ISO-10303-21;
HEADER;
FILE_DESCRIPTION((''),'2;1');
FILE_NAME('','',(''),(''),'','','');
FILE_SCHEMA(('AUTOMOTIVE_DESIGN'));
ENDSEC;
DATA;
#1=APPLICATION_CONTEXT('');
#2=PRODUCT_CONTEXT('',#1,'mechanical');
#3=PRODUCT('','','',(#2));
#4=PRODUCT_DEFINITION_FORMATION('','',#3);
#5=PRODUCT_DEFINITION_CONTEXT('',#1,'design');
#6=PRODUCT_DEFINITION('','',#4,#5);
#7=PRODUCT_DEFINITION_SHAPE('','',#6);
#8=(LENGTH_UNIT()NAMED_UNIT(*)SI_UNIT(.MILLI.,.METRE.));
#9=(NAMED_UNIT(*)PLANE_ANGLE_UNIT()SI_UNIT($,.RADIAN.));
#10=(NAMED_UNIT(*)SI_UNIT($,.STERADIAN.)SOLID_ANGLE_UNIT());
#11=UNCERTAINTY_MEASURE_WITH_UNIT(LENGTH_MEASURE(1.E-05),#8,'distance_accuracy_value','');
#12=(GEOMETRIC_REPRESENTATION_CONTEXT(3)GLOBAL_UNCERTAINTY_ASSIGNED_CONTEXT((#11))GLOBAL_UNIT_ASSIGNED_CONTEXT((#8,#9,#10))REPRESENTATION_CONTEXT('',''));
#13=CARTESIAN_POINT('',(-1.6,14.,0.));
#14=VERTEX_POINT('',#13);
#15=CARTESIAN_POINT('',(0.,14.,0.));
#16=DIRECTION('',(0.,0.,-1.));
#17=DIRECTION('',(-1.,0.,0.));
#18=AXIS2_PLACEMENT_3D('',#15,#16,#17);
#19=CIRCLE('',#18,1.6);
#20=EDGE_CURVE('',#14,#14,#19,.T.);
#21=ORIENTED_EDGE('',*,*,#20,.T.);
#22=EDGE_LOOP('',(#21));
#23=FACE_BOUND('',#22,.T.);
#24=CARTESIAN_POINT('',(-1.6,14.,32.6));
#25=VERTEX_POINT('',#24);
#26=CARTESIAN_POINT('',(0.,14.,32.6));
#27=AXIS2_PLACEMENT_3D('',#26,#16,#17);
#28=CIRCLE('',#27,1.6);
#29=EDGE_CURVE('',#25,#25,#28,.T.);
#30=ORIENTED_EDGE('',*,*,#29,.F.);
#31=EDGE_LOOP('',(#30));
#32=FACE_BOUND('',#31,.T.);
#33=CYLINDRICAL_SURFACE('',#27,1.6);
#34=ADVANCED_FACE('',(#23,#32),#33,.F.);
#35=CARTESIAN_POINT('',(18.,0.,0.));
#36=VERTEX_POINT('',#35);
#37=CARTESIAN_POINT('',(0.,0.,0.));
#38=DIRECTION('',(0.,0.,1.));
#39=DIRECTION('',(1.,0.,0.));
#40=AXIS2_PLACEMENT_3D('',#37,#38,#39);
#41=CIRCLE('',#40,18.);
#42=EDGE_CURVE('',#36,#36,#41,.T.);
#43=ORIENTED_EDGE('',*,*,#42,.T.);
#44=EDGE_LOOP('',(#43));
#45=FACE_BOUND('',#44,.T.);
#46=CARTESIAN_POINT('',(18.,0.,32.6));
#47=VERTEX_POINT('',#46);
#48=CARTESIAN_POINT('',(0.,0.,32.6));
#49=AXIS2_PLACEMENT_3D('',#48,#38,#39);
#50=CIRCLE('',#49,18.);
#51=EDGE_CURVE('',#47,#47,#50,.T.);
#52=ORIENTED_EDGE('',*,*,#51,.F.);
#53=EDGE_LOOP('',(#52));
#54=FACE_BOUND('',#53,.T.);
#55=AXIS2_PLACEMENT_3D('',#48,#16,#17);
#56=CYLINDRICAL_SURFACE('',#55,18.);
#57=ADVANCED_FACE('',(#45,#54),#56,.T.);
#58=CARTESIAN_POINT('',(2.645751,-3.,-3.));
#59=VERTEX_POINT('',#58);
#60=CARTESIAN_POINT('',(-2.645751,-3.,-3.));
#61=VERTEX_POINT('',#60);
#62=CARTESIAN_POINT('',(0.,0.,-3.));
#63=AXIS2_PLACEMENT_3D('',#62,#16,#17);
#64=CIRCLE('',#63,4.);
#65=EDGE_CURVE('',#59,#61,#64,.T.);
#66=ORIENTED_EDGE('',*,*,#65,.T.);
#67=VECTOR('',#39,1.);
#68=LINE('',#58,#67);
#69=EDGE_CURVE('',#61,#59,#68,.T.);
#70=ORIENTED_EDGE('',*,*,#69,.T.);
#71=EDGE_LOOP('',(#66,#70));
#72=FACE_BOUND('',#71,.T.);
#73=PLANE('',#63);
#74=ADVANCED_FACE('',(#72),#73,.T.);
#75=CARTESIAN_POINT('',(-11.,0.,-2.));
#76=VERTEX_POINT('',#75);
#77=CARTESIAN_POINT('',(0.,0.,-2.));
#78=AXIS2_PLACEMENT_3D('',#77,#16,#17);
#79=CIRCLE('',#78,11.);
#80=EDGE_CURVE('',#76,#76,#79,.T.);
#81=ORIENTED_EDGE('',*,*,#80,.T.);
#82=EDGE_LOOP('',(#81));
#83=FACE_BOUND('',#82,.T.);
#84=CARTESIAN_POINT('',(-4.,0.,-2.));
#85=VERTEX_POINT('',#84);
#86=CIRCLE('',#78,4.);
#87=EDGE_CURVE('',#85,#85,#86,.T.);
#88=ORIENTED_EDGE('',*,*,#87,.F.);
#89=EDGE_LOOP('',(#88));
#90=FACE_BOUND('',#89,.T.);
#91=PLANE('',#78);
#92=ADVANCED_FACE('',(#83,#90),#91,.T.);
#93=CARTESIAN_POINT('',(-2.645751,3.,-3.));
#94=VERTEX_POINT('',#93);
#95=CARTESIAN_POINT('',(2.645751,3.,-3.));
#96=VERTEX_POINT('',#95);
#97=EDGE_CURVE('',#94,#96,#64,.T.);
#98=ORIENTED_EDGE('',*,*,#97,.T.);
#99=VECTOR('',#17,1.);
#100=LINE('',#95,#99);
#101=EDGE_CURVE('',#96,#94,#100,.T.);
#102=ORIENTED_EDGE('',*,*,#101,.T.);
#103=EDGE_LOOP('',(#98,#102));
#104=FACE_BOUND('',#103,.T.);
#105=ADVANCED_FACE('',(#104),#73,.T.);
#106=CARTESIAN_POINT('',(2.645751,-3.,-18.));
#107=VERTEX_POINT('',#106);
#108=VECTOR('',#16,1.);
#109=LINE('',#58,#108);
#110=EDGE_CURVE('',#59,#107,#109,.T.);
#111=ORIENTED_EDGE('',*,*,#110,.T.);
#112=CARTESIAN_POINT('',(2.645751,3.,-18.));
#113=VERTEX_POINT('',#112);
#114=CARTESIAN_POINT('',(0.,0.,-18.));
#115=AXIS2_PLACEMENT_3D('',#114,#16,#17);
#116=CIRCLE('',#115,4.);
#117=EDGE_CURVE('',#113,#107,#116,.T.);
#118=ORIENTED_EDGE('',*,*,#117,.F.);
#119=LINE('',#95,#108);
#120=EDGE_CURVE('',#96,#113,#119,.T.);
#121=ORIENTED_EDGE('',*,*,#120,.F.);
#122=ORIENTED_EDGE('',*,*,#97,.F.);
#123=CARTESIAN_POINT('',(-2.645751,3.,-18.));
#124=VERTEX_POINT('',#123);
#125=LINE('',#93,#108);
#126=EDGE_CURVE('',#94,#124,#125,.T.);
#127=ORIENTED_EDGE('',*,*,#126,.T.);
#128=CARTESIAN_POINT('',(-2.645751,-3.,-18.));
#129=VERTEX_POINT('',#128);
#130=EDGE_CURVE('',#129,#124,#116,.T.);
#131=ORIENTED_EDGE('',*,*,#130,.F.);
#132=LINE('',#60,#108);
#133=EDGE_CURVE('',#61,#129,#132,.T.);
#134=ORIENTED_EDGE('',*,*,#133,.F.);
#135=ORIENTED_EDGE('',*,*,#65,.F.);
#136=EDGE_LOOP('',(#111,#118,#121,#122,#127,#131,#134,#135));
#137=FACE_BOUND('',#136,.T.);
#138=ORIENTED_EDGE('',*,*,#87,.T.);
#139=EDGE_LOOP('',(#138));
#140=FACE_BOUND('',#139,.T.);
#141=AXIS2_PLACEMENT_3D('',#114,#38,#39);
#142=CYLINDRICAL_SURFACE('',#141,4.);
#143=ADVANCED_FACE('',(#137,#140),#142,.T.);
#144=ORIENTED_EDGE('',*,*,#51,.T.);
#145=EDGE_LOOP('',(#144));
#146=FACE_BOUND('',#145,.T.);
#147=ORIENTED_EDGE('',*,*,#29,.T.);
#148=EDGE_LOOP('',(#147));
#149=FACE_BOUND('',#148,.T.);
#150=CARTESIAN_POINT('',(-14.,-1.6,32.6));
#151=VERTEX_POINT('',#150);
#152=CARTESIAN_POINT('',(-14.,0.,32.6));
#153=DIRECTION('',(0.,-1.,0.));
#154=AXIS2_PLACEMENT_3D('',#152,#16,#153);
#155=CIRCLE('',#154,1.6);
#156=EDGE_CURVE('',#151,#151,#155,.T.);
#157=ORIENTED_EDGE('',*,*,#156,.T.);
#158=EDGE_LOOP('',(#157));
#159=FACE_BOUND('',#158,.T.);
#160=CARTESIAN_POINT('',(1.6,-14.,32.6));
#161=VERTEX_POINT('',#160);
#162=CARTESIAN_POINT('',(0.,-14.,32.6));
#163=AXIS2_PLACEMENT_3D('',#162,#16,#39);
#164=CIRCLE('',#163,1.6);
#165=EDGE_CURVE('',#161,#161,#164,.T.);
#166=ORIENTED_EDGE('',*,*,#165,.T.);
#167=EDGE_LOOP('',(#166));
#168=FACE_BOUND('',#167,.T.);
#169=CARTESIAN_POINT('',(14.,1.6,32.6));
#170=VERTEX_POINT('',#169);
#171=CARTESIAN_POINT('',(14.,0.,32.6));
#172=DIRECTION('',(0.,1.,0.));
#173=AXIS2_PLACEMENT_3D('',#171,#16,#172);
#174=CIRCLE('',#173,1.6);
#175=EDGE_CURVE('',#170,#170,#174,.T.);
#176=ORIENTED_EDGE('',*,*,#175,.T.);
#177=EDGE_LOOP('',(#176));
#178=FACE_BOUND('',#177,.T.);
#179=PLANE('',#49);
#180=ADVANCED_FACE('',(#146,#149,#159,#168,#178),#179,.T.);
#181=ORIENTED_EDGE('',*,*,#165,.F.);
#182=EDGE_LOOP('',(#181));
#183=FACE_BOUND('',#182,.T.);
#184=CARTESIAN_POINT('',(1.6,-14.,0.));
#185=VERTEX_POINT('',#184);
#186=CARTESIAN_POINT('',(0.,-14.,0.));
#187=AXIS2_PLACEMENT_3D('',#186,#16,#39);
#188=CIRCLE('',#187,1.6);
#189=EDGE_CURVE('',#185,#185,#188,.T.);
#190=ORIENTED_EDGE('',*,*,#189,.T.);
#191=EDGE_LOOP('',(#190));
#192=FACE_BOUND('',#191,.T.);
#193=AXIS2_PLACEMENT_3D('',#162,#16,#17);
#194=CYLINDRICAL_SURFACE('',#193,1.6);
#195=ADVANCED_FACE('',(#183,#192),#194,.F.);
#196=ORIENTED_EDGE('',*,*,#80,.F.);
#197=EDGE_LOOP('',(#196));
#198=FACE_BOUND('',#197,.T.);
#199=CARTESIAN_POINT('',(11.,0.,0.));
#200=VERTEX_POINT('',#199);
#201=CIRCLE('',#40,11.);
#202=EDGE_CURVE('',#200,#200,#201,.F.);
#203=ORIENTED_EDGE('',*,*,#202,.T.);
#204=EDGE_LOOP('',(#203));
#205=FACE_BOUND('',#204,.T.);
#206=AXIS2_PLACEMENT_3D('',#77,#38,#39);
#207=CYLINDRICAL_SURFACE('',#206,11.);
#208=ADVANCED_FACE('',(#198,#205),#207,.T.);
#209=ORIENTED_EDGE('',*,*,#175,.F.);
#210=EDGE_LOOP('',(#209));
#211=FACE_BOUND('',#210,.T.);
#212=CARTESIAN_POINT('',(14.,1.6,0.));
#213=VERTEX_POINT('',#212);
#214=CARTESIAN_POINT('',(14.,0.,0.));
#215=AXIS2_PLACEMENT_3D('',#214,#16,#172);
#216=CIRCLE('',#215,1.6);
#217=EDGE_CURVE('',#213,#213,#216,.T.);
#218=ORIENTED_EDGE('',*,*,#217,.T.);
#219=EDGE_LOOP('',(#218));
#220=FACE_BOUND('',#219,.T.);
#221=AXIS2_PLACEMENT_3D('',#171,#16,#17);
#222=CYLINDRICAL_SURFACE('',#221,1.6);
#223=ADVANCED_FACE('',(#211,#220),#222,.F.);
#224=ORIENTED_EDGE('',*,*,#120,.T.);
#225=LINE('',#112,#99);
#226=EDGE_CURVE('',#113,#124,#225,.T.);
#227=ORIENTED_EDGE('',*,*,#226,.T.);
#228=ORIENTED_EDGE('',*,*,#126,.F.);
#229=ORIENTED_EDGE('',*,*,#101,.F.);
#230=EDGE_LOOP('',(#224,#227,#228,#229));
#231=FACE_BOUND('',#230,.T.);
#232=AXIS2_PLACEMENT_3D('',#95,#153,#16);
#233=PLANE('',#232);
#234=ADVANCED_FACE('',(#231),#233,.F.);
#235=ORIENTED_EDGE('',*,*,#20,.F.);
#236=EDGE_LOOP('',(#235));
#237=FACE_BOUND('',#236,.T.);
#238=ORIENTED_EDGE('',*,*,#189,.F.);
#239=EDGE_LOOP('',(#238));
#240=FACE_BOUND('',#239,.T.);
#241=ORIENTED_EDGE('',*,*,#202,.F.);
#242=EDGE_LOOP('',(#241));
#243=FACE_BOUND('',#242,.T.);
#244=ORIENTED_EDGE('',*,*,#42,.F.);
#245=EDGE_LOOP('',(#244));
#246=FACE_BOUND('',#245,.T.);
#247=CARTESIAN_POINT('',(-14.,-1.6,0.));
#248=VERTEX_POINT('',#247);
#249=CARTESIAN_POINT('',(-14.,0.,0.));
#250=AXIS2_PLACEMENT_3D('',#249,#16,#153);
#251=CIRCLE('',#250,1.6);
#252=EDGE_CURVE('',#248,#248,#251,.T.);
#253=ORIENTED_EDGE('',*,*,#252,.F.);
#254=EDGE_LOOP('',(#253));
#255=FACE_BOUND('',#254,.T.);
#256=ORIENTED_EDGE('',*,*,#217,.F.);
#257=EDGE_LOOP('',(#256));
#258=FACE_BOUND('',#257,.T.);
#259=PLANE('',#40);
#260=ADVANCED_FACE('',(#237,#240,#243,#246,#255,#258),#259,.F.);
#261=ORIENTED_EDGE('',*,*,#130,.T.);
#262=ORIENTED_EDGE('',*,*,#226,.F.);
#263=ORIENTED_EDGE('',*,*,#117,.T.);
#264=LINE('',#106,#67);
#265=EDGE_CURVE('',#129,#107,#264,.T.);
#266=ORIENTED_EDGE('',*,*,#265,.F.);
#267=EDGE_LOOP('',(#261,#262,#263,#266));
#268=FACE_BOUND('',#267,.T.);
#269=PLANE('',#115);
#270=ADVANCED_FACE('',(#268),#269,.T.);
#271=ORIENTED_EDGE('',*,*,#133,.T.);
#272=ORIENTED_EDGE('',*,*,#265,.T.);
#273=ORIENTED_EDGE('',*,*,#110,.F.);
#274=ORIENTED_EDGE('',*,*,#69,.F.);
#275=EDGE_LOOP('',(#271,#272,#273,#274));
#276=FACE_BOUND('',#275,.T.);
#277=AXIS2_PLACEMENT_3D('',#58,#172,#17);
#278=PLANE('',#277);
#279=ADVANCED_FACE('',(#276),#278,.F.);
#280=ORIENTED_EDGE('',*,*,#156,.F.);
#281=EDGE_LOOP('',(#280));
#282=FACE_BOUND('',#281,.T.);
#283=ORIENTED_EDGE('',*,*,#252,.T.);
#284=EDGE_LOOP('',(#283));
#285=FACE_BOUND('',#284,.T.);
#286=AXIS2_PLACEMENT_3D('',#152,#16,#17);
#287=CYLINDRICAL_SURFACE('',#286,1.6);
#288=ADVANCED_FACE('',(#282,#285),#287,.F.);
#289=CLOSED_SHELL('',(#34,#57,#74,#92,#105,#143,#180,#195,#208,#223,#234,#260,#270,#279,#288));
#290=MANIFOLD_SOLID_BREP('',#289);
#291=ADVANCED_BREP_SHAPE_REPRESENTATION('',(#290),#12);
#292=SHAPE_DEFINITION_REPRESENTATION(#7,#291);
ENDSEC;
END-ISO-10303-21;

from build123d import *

# Parameters (mm, degrees)
SKETCH1_R           = 18
BOSS_EXTRUDE1_DEPTH = 32.6
SKETCH2_R           = 1.6
CUT_EXTRUDE1_DEPTH  = 42.361334601
CIRPATTERN1_COUNT   = 4
SKETCH3_R           = 11
BOSS_EXTRUDE2_DEPTH = 2
SKETCH4_R           = 4
BOSS_EXTRUDE3_DEPTH = 16
CUT_EXTRUDE2_START  = -15
CUT_EXTRUDE2_DEPTH  = 15


with BuildPart() as part:
    # Sketch1 → Boss-Extrude1 (new body)
    with BuildSketch(Plane.XY):
        Circle(SKETCH1_R)
    extrude(amount=BOSS_EXTRUDE1_DEPTH)

    # Sketch2 → Cut-Extrude1 (cut, through all)
    with BuildSketch(Plane(origin=(0, 0, 0), x_dir=(-1, 0, 0), z_dir=(0, 0, -1))):
        with Locations((0, 14)):
            Circle(SKETCH2_R)
    cut_extrude1 = extrude(amount=-CUT_EXTRUDE1_DEPTH, mode=Mode.SUBTRACT)

    # CirPattern1: Cut-Extrude1 ×4 about axis
    cirpattern1_axis = Axis((0, 0, 0), (0, 0, 1))
    for i in range(1, CIRPATTERN1_COUNT):
        add(cut_extrude1.rotate(cirpattern1_axis, i * 360 / CIRPATTERN1_COUNT), mode=Mode.SUBTRACT)

    # Sketch3 → Boss-Extrude2 (add)
    with BuildSketch(Plane(origin=(0, 0, 0), x_dir=(-1, 0, 0), z_dir=(0, 0, -1))):
        with Locations(Location((0, 0, 0), (0, 0, 180))):
            Circle(SKETCH3_R)
    extrude(amount=BOSS_EXTRUDE2_DEPTH)

    # Sketch4 → Boss-Extrude3 (add)
    with BuildSketch(Plane(origin=(0, 0, -2), x_dir=(-1, 0, 0), z_dir=(0, 0, -1))):
        Circle(SKETCH4_R)
    extrude(amount=BOSS_EXTRUDE3_DEPTH)

    # Sketch5 → Cut-Extrude2 (cut)
    with BuildSketch(Plane(origin=(0, 0, -18), x_dir=(-1, 0, 0), z_dir=(0, 0, -1)).offset(CUT_EXTRUDE2_START)):
        with BuildLine():
            Line((-2.645751311, 3), (2.645751311, 3))
            ThreePointArc((2.645751311, 3), (0, 4), (-2.645751311, 3))
        make_face()
        with BuildLine():
            Line((-2.645751311, -3), (2.645751311, -3))
            ThreePointArc((2.645751311, -3), (0, -4), (-2.645751311, -3))
        make_face()
    extrude(amount=CUT_EXTRUDE2_DEPTH, mode=Mode.SUBTRACT)


solid = part.part
